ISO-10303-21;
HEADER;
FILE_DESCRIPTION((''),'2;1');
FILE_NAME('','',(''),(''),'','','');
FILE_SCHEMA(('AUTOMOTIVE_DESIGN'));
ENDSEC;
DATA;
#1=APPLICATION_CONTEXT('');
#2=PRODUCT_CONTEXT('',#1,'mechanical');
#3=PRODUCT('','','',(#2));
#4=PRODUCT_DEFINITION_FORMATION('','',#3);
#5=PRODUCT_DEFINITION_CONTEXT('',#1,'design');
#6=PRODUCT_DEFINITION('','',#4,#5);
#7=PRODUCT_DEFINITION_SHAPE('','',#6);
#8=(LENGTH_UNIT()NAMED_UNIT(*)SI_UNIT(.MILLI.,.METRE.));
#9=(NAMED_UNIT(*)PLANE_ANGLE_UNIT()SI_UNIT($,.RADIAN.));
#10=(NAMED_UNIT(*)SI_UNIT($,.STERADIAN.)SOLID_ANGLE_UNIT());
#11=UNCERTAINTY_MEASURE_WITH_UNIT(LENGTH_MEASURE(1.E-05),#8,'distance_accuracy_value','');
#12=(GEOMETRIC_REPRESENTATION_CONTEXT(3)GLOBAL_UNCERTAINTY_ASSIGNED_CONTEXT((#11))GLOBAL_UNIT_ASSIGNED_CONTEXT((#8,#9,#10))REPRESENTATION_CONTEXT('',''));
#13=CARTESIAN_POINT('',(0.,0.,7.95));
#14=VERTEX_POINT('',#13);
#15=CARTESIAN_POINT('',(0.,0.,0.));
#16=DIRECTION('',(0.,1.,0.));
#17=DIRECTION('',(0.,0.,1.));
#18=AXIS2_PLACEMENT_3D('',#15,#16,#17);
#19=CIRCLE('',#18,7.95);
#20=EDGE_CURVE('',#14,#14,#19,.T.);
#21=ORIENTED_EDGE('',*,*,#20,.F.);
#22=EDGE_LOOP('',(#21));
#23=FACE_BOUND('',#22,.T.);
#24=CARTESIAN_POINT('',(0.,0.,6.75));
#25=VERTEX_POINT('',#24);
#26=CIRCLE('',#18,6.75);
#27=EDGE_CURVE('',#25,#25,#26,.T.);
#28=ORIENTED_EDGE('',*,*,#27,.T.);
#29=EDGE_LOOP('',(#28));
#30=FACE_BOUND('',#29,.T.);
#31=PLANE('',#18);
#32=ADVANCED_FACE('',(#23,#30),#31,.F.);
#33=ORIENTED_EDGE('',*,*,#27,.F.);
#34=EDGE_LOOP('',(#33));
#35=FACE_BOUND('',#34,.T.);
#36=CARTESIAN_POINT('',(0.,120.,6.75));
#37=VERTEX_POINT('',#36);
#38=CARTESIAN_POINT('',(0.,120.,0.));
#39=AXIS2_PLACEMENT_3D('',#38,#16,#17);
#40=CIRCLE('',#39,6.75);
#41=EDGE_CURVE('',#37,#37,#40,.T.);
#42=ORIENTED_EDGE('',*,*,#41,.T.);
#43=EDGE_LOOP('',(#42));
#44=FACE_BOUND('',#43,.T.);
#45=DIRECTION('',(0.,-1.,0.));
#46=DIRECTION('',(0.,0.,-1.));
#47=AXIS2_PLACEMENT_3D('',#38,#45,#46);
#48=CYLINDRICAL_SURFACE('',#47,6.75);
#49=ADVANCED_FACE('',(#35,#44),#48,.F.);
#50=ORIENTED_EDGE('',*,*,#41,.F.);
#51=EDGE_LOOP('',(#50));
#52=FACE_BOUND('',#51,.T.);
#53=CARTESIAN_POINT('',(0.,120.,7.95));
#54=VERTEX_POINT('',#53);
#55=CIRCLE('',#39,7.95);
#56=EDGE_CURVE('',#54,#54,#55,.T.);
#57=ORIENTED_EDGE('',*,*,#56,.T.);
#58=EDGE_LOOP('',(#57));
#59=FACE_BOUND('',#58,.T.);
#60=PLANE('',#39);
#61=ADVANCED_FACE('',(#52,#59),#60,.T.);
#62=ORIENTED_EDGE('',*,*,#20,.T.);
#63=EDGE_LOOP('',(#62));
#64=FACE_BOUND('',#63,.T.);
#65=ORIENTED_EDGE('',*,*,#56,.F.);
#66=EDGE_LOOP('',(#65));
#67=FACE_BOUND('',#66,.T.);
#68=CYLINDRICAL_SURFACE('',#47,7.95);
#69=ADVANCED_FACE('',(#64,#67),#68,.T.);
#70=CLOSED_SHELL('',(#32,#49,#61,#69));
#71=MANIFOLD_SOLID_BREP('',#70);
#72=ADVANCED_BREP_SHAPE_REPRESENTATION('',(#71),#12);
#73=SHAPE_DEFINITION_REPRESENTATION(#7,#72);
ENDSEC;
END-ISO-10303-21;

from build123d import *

# Parameters (mm, degrees)
SKETCH1_R           = 7.95
SKETCH1_R_2         = 6.75
BOSS_EXTRUDE1_DEPTH = 120


with BuildPart() as part:
    # Sketch1 → Boss-Extrude1 (new body)
    with BuildSketch(Plane(origin=(0, 0, 0), x_dir=(1, 0, 0), z_dir=(0, 1, 0))):
        with Locations(Location((0, 0, 0), (0, 0, 270))):
            Circle(SKETCH1_R)
        with Locations(Location((0, 0, 0), (0, 0, 270))):
            Circle(SKETCH1_R_2, mode=Mode.SUBTRACT)
    extrude(amount=BOSS_EXTRUDE1_DEPTH)


solid = part.part
